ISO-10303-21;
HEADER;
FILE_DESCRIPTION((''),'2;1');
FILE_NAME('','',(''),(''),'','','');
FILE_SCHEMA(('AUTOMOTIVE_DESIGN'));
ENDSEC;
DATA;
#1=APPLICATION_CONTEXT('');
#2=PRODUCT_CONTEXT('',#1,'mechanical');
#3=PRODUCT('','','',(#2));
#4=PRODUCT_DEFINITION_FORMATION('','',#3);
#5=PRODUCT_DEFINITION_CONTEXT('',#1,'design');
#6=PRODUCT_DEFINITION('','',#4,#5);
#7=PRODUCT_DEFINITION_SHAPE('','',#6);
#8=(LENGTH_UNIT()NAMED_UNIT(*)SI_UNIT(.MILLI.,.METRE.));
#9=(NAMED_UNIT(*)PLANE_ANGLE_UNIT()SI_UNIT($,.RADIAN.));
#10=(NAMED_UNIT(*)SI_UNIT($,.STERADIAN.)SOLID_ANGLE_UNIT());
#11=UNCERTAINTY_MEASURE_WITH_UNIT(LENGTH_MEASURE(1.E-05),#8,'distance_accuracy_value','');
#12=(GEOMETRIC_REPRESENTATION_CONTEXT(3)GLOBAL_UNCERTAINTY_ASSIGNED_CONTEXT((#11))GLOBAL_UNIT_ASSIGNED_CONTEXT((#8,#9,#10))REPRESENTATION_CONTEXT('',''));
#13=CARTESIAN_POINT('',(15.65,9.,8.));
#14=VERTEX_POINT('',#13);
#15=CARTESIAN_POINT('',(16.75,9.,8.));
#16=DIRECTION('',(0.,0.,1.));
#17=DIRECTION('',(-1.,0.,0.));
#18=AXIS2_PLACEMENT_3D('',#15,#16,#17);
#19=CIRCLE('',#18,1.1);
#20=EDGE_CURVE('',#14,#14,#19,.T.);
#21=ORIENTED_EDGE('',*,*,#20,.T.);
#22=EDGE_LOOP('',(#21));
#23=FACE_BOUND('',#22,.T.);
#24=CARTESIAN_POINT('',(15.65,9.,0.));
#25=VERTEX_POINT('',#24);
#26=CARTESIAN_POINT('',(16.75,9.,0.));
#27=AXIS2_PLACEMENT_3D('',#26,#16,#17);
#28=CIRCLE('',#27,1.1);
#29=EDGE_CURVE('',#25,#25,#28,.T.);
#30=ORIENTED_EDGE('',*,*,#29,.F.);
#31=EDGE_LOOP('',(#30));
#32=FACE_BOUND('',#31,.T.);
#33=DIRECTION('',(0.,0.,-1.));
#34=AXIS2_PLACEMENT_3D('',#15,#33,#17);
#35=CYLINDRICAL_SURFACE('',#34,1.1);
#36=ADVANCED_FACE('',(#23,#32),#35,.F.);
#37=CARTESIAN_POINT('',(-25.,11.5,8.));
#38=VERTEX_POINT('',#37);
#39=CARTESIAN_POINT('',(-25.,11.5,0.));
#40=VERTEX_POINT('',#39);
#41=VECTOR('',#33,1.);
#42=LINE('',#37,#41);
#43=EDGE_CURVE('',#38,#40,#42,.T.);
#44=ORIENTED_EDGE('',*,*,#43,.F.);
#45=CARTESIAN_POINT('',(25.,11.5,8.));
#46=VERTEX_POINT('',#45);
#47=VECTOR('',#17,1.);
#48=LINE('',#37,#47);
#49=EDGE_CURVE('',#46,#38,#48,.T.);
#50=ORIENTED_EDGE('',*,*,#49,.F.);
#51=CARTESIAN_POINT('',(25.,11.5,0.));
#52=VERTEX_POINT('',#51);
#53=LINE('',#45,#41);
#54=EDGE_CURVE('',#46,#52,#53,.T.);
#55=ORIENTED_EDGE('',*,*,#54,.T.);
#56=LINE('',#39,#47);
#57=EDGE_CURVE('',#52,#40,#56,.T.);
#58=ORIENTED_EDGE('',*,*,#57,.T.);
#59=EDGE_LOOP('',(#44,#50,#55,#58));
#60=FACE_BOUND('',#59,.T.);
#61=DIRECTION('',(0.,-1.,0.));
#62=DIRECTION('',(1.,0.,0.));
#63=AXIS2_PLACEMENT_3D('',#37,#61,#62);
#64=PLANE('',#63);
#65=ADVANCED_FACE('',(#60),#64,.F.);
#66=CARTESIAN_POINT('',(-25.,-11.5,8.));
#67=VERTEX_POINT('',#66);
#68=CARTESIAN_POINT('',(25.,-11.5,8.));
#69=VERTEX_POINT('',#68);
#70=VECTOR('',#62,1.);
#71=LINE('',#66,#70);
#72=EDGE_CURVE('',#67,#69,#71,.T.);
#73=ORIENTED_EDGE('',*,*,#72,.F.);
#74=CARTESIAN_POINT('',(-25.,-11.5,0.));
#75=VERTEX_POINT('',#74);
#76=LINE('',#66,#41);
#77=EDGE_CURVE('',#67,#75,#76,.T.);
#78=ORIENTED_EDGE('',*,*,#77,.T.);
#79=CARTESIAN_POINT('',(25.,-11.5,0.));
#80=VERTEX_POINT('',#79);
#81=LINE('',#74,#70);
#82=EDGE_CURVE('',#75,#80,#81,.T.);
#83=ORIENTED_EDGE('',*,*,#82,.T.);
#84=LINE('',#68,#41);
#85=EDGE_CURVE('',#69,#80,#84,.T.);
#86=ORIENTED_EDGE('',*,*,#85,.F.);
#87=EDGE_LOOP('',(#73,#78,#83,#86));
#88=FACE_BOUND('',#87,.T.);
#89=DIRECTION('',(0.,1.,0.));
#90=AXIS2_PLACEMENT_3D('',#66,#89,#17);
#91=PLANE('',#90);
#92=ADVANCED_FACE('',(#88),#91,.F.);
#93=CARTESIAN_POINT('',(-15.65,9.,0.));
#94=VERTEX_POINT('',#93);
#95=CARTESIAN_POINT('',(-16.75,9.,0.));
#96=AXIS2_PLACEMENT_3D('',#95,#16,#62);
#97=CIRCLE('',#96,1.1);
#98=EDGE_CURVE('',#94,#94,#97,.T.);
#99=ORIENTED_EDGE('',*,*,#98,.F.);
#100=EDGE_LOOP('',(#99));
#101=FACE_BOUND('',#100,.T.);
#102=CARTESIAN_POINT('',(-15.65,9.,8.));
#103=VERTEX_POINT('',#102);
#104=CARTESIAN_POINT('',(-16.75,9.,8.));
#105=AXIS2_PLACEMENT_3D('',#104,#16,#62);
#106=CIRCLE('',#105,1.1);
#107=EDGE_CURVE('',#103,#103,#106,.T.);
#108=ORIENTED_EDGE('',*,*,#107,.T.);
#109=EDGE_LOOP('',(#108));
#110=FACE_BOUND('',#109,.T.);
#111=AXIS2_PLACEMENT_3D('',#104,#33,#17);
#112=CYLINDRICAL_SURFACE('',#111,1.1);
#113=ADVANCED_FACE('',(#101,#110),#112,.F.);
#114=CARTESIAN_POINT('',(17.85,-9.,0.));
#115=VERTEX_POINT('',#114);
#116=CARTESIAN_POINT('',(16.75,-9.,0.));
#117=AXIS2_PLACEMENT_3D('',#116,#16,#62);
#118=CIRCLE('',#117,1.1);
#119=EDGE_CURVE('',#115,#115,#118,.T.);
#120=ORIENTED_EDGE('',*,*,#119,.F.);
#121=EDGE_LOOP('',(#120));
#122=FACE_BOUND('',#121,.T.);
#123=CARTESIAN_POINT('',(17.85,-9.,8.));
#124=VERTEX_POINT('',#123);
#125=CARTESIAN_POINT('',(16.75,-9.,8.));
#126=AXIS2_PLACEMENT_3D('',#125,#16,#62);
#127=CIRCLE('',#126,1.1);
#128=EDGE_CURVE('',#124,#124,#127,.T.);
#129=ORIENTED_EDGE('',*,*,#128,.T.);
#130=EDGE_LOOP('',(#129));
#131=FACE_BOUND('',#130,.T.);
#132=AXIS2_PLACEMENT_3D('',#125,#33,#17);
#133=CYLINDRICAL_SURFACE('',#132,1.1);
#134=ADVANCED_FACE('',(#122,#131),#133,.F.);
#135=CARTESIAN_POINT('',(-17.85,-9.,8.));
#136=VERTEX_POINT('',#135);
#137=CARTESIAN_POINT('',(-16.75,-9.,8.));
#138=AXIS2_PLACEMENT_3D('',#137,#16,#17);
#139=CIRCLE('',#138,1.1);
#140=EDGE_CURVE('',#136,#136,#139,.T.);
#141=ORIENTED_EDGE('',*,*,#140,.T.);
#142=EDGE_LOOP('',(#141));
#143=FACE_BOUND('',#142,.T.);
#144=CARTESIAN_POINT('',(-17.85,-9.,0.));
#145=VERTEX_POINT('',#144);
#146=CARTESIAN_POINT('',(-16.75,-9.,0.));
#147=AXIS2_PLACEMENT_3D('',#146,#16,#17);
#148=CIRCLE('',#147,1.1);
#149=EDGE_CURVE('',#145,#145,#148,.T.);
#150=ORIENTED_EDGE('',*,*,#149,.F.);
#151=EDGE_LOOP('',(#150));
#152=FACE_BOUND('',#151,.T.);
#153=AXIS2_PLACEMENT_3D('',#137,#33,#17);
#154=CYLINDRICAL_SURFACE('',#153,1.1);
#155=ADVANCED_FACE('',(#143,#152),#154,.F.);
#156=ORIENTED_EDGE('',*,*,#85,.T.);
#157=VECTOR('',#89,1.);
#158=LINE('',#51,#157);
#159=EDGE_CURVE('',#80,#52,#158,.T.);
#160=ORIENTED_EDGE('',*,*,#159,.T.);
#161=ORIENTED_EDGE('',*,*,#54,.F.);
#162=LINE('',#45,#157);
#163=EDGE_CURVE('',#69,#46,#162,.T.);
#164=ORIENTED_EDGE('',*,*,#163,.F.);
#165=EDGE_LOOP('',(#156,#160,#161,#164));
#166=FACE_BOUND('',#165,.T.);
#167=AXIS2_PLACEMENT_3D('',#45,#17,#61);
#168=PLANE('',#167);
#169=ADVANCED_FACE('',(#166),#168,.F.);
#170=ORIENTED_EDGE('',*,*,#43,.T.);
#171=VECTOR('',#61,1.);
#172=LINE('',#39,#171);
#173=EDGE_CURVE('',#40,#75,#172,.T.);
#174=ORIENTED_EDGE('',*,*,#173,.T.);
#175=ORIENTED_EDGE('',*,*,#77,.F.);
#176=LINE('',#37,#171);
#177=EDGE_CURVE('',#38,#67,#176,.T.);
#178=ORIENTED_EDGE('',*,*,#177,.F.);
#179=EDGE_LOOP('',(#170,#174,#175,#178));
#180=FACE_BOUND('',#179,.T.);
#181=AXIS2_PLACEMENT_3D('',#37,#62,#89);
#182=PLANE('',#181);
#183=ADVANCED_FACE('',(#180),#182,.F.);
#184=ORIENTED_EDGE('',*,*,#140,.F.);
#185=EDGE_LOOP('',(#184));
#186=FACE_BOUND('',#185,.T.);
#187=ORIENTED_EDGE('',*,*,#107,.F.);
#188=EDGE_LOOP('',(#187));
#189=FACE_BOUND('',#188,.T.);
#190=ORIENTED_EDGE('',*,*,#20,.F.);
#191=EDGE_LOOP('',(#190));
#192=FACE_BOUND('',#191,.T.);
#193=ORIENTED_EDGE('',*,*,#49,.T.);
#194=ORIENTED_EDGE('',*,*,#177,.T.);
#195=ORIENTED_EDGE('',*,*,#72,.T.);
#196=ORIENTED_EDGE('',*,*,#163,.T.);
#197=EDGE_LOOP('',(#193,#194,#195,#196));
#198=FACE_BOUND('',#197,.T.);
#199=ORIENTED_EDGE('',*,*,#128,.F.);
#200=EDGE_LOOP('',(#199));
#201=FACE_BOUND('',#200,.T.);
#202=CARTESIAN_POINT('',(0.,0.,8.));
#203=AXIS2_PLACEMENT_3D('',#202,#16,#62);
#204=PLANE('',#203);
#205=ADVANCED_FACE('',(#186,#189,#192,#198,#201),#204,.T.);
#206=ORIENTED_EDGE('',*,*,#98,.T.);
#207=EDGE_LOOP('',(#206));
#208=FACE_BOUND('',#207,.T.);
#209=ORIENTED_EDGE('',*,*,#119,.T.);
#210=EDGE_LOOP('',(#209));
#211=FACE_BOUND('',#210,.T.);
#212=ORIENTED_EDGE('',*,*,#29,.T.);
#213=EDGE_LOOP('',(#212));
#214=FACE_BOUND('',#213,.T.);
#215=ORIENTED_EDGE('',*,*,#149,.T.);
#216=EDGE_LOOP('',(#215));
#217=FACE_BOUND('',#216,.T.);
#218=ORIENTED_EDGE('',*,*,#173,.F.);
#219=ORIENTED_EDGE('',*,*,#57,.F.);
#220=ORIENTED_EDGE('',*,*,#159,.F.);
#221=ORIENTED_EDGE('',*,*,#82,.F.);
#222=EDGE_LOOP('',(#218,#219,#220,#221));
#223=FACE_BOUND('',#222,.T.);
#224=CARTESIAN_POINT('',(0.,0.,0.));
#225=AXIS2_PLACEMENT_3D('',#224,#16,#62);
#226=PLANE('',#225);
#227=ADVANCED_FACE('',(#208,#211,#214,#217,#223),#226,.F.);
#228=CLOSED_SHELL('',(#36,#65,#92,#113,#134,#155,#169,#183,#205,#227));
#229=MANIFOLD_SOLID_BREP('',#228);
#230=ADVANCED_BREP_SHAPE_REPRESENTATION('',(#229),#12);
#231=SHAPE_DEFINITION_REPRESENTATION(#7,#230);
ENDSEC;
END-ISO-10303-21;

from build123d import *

# Parameters (mm, degrees)
SKETCH1_W           = 50
SKETCH1_H           = 23
SKETCH1_R           = 1.1
BOSS_EXTRUDE1_DEPTH = 8


with BuildPart() as part:
    # Sketch1 → Boss-Extrude1 (new body)
    with BuildSketch(Plane.XY):
        Rectangle(SKETCH1_W, SKETCH1_H)
        with Locations((-16.75, 9)):
            Circle(SKETCH1_R, mode=Mode.SUBTRACT)
        with Locations(Location((16.75, 9, 0), (0, 0, 180))):
            Circle(SKETCH1_R, mode=Mode.SUBTRACT)
        with Locations(Location((-16.75, -9, 0), (0, 0, 180))):
            Circle(SKETCH1_R, mode=Mode.SUBTRACT)
        with Locations((16.75, -9)):
            Circle(SKETCH1_R, mode=Mode.SUBTRACT)
    extrude(amount=BOSS_EXTRUDE1_DEPTH)


solid = part.part
